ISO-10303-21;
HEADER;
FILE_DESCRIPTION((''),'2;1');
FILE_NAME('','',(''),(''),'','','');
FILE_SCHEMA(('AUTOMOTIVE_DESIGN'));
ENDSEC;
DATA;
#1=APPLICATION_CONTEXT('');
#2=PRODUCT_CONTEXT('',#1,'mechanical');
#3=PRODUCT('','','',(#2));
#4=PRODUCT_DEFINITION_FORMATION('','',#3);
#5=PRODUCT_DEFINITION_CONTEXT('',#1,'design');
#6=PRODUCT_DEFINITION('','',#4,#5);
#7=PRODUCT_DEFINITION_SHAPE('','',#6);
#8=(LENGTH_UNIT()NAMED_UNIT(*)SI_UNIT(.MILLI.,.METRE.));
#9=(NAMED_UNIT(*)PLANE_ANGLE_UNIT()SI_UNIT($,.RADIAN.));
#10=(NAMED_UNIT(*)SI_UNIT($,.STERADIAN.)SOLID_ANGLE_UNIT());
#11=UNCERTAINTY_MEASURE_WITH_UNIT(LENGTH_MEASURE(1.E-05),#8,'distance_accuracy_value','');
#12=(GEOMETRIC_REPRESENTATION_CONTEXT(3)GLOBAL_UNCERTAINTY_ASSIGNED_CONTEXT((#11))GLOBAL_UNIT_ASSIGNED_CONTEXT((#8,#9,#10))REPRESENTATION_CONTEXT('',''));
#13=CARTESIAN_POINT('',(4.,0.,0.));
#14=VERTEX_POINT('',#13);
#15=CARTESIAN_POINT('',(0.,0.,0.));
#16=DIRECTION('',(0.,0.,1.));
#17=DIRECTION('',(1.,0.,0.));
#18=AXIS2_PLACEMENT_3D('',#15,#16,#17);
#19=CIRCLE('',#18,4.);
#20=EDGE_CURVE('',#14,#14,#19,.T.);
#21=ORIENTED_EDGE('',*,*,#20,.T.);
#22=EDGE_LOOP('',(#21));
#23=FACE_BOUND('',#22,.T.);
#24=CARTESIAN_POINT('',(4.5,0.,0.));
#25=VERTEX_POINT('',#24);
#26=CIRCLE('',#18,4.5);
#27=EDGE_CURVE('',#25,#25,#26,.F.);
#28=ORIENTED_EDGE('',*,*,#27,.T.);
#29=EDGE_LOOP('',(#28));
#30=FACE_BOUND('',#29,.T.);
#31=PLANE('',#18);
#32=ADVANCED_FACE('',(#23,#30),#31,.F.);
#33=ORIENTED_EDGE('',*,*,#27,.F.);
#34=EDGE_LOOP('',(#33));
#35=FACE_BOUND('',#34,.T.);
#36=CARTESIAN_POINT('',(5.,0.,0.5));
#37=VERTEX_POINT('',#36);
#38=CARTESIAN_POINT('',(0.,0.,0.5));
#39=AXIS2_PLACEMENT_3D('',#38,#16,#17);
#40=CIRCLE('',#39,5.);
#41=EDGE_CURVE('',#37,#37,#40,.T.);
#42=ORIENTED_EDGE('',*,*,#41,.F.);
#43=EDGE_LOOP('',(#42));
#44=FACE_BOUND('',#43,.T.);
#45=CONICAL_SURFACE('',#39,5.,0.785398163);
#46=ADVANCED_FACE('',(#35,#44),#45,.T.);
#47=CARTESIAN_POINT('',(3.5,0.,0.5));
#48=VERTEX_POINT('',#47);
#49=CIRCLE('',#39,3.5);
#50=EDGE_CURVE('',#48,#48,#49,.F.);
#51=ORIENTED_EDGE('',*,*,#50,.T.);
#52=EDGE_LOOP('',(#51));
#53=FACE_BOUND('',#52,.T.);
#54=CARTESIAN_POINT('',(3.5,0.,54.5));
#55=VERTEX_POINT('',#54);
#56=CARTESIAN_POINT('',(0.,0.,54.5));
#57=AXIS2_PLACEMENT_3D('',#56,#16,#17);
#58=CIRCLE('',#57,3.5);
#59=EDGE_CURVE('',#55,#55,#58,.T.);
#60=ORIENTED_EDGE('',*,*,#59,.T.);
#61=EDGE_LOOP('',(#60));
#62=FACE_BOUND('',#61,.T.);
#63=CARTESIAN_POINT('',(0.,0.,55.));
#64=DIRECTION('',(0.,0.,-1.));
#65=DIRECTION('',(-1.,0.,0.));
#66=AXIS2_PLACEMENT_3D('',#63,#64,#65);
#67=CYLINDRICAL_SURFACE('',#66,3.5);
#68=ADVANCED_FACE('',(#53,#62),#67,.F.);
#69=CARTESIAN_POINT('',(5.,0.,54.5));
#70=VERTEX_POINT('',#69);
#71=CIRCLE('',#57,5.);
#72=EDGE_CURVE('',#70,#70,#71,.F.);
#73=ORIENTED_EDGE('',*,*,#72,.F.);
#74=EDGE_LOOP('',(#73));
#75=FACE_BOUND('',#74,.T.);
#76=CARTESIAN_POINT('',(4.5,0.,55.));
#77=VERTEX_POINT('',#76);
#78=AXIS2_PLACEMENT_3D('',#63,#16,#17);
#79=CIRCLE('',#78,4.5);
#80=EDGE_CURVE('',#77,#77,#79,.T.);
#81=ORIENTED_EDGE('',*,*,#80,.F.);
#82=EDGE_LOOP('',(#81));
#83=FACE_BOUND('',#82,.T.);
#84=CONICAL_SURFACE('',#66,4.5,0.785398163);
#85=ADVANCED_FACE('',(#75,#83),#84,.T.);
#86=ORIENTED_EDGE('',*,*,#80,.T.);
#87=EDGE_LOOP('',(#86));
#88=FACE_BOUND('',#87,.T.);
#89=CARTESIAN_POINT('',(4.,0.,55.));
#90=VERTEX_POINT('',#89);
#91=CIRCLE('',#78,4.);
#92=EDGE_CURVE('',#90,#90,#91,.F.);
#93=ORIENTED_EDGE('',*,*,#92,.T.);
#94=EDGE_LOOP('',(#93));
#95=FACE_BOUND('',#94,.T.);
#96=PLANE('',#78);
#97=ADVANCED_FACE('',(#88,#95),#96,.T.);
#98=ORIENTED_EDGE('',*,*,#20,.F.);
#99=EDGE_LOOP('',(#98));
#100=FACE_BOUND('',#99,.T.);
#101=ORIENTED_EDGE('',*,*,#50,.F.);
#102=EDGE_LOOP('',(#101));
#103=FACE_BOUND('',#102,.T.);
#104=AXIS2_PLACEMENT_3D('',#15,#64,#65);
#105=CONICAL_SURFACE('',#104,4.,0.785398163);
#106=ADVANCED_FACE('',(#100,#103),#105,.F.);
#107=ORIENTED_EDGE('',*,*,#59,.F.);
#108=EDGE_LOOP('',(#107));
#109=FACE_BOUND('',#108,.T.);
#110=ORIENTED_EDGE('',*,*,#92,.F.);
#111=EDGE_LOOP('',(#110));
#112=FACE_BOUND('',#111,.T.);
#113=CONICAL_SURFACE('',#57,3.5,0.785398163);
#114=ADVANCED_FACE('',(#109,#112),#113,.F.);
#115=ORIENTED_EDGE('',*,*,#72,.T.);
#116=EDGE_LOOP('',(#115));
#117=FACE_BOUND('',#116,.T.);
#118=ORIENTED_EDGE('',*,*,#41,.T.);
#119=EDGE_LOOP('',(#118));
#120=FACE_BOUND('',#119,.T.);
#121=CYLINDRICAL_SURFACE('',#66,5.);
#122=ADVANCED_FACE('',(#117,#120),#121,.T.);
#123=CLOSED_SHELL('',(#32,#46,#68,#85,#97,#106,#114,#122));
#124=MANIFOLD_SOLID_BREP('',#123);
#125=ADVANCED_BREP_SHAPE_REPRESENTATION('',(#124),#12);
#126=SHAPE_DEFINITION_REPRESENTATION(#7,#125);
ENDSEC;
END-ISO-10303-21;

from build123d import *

# Parameters (mm, degrees)
SKIZZE1_R                       = 5
SKIZZE1_R_2                     = 3.5
AUFSATZ_LINEAR_AUSTRAGEN1_DEPTH = 55
FASE1_SIZE                      = 0.5


with BuildPart() as part:
    # Skizze1 → Aufsatz-Linear austragen1 (new body)
    with BuildSketch(Plane.XY):
        Circle(SKIZZE1_R)
        Circle(SKIZZE1_R_2, mode=Mode.SUBTRACT)
    extrude(amount=AUFSATZ_LINEAR_AUSTRAGEN1_DEPTH)

    # Fase1
    fase1_edges = [part.edges().sort_by_distance(p)[0] for p in [
        (-5, 0, 0),
        (-5, 0, 55),
        (-3.5, 0, 0),
        (-3.5, 0, 55),
    ]]
    chamfer(fase1_edges, length=FASE1_SIZE)


solid = part.part
